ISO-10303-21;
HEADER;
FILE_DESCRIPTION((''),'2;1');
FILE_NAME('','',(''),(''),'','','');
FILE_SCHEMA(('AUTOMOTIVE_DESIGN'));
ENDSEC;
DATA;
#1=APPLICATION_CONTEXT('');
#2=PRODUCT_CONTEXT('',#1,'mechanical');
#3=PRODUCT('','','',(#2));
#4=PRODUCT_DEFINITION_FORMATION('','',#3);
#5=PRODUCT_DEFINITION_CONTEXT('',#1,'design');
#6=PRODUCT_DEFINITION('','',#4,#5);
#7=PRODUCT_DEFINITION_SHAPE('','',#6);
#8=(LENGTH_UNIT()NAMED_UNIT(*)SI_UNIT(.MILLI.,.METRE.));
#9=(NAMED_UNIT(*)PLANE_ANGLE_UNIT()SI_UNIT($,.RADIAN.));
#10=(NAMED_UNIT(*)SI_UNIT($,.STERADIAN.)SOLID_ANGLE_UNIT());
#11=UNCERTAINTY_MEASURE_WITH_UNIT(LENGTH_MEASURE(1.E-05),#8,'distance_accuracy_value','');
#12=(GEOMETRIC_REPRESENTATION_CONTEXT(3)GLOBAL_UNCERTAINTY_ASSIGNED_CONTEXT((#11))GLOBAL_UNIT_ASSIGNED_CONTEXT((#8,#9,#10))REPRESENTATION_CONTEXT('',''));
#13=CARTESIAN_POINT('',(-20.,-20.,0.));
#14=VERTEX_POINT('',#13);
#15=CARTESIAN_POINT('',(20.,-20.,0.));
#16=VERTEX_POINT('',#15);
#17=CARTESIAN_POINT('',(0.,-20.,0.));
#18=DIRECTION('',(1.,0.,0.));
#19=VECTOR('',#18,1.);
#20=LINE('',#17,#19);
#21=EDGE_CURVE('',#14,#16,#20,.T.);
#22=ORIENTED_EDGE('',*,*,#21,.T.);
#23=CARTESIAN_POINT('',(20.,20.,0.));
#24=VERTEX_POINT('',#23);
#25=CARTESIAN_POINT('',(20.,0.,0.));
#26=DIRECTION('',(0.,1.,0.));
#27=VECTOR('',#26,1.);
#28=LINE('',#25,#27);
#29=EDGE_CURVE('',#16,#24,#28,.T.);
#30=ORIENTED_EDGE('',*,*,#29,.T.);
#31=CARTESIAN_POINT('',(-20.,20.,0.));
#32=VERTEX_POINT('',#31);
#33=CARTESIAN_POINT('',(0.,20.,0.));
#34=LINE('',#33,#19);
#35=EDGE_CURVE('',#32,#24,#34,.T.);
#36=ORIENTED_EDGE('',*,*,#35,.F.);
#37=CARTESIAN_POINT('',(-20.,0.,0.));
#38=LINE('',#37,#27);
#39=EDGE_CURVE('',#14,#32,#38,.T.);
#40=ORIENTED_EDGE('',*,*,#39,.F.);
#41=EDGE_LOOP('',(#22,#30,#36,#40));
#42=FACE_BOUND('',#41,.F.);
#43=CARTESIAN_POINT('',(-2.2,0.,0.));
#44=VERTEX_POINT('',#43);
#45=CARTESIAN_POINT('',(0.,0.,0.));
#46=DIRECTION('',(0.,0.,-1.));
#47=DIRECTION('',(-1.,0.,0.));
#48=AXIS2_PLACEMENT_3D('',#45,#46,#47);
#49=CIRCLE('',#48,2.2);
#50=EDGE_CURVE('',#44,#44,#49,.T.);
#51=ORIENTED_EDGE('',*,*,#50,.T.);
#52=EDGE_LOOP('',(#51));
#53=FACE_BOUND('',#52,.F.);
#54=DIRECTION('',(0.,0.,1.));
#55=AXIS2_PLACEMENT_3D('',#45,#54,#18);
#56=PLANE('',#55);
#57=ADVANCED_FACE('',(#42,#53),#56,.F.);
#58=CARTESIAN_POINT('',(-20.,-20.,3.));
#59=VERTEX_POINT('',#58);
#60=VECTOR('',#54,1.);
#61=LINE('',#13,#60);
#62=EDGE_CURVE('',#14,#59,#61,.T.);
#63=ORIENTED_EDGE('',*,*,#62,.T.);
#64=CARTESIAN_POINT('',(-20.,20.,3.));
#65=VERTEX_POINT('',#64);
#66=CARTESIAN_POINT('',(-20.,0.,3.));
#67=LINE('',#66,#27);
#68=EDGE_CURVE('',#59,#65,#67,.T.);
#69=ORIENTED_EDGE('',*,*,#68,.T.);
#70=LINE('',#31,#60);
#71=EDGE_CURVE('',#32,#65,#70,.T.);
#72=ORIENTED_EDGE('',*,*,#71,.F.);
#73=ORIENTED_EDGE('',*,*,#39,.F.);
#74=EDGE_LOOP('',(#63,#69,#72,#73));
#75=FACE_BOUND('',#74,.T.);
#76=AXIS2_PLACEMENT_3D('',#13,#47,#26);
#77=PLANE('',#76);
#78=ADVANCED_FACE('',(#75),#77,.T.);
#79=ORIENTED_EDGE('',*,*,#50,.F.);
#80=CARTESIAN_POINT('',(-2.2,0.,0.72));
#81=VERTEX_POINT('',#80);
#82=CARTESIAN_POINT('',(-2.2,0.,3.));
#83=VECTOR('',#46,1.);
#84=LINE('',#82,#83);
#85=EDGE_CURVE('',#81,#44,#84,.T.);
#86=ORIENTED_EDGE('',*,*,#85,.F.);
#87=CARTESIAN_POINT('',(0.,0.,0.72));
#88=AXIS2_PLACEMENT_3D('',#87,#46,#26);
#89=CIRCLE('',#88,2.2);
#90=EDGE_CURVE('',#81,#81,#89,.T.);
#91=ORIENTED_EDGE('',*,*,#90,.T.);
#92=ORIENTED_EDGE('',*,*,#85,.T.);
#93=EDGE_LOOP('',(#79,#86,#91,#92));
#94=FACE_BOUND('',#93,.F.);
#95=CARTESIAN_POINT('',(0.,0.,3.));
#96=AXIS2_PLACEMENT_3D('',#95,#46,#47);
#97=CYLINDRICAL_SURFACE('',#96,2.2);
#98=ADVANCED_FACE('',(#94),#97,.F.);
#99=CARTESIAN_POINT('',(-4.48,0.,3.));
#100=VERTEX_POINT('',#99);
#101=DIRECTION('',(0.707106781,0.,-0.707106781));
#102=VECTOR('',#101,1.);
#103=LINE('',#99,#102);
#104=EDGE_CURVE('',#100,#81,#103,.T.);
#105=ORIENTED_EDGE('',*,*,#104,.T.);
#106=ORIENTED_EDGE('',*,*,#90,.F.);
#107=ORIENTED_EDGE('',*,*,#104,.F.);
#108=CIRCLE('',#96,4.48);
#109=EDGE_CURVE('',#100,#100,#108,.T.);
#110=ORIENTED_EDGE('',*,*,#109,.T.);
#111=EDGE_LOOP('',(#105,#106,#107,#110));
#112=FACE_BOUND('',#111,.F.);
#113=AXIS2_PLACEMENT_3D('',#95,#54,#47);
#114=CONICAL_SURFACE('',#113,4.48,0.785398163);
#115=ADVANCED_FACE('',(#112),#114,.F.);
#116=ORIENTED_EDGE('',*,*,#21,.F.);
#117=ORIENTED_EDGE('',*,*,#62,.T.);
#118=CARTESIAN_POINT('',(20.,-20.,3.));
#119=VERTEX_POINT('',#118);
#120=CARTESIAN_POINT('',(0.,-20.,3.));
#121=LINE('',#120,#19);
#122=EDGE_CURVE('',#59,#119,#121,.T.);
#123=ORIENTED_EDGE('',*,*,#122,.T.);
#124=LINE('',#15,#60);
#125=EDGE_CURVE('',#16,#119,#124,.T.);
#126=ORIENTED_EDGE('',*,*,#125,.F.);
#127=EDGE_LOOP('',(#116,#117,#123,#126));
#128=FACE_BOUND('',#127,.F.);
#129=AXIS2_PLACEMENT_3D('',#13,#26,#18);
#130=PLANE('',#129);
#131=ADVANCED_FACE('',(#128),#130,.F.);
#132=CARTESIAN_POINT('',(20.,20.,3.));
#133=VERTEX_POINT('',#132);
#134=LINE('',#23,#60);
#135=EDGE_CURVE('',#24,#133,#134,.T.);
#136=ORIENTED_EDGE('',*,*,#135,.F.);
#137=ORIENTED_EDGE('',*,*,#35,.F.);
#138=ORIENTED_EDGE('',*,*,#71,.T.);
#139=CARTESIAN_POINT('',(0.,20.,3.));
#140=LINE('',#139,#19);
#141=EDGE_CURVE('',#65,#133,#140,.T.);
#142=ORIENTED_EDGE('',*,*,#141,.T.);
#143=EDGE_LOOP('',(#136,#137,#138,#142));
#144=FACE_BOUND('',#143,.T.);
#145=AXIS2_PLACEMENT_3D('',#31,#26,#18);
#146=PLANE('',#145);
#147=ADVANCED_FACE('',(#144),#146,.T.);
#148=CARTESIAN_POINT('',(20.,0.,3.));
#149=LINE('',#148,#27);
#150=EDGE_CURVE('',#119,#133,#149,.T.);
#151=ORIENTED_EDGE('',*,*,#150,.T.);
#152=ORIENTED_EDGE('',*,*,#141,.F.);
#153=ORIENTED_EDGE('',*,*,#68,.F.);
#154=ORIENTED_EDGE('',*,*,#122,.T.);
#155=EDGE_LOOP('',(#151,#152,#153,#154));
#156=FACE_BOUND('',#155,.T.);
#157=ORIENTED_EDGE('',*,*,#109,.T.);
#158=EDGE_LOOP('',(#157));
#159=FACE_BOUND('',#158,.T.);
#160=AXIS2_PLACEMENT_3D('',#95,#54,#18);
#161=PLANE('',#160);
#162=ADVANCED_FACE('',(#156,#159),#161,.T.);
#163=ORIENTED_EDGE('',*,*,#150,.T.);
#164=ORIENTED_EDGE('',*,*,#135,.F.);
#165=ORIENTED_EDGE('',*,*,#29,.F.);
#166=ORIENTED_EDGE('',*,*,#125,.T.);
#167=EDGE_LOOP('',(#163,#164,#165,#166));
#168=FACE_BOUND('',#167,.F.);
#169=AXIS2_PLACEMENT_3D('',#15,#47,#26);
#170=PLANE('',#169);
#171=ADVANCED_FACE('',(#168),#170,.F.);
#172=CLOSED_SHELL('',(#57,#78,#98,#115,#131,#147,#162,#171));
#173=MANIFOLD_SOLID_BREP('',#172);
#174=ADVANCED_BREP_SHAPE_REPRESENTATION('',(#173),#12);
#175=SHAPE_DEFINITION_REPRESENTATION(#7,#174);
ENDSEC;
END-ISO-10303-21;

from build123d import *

# Parameters (mm, degrees)
F0_W           = 40
F0_H           = 40
F1_DEPTH       = 3
F3_D           = 4.4
F3_CSINK_D     = 8.96
F3_CSINK_ANGLE = 90


with BuildPart() as f1:
    # F0 (on Top) → F1 (new body)
    with BuildSketch(Plane.XY):
        Rectangle(F0_W, F0_H)
    extrude(amount=F1_DEPTH)

    # F3 (through all)
    with Locations(Plane.XY.offset(3)):
        with Locations((0, 0)):
            CounterSinkHole(F3_D / 2, F3_CSINK_D / 2, counter_sink_angle=F3_CSINK_ANGLE)


solid = f1.part
